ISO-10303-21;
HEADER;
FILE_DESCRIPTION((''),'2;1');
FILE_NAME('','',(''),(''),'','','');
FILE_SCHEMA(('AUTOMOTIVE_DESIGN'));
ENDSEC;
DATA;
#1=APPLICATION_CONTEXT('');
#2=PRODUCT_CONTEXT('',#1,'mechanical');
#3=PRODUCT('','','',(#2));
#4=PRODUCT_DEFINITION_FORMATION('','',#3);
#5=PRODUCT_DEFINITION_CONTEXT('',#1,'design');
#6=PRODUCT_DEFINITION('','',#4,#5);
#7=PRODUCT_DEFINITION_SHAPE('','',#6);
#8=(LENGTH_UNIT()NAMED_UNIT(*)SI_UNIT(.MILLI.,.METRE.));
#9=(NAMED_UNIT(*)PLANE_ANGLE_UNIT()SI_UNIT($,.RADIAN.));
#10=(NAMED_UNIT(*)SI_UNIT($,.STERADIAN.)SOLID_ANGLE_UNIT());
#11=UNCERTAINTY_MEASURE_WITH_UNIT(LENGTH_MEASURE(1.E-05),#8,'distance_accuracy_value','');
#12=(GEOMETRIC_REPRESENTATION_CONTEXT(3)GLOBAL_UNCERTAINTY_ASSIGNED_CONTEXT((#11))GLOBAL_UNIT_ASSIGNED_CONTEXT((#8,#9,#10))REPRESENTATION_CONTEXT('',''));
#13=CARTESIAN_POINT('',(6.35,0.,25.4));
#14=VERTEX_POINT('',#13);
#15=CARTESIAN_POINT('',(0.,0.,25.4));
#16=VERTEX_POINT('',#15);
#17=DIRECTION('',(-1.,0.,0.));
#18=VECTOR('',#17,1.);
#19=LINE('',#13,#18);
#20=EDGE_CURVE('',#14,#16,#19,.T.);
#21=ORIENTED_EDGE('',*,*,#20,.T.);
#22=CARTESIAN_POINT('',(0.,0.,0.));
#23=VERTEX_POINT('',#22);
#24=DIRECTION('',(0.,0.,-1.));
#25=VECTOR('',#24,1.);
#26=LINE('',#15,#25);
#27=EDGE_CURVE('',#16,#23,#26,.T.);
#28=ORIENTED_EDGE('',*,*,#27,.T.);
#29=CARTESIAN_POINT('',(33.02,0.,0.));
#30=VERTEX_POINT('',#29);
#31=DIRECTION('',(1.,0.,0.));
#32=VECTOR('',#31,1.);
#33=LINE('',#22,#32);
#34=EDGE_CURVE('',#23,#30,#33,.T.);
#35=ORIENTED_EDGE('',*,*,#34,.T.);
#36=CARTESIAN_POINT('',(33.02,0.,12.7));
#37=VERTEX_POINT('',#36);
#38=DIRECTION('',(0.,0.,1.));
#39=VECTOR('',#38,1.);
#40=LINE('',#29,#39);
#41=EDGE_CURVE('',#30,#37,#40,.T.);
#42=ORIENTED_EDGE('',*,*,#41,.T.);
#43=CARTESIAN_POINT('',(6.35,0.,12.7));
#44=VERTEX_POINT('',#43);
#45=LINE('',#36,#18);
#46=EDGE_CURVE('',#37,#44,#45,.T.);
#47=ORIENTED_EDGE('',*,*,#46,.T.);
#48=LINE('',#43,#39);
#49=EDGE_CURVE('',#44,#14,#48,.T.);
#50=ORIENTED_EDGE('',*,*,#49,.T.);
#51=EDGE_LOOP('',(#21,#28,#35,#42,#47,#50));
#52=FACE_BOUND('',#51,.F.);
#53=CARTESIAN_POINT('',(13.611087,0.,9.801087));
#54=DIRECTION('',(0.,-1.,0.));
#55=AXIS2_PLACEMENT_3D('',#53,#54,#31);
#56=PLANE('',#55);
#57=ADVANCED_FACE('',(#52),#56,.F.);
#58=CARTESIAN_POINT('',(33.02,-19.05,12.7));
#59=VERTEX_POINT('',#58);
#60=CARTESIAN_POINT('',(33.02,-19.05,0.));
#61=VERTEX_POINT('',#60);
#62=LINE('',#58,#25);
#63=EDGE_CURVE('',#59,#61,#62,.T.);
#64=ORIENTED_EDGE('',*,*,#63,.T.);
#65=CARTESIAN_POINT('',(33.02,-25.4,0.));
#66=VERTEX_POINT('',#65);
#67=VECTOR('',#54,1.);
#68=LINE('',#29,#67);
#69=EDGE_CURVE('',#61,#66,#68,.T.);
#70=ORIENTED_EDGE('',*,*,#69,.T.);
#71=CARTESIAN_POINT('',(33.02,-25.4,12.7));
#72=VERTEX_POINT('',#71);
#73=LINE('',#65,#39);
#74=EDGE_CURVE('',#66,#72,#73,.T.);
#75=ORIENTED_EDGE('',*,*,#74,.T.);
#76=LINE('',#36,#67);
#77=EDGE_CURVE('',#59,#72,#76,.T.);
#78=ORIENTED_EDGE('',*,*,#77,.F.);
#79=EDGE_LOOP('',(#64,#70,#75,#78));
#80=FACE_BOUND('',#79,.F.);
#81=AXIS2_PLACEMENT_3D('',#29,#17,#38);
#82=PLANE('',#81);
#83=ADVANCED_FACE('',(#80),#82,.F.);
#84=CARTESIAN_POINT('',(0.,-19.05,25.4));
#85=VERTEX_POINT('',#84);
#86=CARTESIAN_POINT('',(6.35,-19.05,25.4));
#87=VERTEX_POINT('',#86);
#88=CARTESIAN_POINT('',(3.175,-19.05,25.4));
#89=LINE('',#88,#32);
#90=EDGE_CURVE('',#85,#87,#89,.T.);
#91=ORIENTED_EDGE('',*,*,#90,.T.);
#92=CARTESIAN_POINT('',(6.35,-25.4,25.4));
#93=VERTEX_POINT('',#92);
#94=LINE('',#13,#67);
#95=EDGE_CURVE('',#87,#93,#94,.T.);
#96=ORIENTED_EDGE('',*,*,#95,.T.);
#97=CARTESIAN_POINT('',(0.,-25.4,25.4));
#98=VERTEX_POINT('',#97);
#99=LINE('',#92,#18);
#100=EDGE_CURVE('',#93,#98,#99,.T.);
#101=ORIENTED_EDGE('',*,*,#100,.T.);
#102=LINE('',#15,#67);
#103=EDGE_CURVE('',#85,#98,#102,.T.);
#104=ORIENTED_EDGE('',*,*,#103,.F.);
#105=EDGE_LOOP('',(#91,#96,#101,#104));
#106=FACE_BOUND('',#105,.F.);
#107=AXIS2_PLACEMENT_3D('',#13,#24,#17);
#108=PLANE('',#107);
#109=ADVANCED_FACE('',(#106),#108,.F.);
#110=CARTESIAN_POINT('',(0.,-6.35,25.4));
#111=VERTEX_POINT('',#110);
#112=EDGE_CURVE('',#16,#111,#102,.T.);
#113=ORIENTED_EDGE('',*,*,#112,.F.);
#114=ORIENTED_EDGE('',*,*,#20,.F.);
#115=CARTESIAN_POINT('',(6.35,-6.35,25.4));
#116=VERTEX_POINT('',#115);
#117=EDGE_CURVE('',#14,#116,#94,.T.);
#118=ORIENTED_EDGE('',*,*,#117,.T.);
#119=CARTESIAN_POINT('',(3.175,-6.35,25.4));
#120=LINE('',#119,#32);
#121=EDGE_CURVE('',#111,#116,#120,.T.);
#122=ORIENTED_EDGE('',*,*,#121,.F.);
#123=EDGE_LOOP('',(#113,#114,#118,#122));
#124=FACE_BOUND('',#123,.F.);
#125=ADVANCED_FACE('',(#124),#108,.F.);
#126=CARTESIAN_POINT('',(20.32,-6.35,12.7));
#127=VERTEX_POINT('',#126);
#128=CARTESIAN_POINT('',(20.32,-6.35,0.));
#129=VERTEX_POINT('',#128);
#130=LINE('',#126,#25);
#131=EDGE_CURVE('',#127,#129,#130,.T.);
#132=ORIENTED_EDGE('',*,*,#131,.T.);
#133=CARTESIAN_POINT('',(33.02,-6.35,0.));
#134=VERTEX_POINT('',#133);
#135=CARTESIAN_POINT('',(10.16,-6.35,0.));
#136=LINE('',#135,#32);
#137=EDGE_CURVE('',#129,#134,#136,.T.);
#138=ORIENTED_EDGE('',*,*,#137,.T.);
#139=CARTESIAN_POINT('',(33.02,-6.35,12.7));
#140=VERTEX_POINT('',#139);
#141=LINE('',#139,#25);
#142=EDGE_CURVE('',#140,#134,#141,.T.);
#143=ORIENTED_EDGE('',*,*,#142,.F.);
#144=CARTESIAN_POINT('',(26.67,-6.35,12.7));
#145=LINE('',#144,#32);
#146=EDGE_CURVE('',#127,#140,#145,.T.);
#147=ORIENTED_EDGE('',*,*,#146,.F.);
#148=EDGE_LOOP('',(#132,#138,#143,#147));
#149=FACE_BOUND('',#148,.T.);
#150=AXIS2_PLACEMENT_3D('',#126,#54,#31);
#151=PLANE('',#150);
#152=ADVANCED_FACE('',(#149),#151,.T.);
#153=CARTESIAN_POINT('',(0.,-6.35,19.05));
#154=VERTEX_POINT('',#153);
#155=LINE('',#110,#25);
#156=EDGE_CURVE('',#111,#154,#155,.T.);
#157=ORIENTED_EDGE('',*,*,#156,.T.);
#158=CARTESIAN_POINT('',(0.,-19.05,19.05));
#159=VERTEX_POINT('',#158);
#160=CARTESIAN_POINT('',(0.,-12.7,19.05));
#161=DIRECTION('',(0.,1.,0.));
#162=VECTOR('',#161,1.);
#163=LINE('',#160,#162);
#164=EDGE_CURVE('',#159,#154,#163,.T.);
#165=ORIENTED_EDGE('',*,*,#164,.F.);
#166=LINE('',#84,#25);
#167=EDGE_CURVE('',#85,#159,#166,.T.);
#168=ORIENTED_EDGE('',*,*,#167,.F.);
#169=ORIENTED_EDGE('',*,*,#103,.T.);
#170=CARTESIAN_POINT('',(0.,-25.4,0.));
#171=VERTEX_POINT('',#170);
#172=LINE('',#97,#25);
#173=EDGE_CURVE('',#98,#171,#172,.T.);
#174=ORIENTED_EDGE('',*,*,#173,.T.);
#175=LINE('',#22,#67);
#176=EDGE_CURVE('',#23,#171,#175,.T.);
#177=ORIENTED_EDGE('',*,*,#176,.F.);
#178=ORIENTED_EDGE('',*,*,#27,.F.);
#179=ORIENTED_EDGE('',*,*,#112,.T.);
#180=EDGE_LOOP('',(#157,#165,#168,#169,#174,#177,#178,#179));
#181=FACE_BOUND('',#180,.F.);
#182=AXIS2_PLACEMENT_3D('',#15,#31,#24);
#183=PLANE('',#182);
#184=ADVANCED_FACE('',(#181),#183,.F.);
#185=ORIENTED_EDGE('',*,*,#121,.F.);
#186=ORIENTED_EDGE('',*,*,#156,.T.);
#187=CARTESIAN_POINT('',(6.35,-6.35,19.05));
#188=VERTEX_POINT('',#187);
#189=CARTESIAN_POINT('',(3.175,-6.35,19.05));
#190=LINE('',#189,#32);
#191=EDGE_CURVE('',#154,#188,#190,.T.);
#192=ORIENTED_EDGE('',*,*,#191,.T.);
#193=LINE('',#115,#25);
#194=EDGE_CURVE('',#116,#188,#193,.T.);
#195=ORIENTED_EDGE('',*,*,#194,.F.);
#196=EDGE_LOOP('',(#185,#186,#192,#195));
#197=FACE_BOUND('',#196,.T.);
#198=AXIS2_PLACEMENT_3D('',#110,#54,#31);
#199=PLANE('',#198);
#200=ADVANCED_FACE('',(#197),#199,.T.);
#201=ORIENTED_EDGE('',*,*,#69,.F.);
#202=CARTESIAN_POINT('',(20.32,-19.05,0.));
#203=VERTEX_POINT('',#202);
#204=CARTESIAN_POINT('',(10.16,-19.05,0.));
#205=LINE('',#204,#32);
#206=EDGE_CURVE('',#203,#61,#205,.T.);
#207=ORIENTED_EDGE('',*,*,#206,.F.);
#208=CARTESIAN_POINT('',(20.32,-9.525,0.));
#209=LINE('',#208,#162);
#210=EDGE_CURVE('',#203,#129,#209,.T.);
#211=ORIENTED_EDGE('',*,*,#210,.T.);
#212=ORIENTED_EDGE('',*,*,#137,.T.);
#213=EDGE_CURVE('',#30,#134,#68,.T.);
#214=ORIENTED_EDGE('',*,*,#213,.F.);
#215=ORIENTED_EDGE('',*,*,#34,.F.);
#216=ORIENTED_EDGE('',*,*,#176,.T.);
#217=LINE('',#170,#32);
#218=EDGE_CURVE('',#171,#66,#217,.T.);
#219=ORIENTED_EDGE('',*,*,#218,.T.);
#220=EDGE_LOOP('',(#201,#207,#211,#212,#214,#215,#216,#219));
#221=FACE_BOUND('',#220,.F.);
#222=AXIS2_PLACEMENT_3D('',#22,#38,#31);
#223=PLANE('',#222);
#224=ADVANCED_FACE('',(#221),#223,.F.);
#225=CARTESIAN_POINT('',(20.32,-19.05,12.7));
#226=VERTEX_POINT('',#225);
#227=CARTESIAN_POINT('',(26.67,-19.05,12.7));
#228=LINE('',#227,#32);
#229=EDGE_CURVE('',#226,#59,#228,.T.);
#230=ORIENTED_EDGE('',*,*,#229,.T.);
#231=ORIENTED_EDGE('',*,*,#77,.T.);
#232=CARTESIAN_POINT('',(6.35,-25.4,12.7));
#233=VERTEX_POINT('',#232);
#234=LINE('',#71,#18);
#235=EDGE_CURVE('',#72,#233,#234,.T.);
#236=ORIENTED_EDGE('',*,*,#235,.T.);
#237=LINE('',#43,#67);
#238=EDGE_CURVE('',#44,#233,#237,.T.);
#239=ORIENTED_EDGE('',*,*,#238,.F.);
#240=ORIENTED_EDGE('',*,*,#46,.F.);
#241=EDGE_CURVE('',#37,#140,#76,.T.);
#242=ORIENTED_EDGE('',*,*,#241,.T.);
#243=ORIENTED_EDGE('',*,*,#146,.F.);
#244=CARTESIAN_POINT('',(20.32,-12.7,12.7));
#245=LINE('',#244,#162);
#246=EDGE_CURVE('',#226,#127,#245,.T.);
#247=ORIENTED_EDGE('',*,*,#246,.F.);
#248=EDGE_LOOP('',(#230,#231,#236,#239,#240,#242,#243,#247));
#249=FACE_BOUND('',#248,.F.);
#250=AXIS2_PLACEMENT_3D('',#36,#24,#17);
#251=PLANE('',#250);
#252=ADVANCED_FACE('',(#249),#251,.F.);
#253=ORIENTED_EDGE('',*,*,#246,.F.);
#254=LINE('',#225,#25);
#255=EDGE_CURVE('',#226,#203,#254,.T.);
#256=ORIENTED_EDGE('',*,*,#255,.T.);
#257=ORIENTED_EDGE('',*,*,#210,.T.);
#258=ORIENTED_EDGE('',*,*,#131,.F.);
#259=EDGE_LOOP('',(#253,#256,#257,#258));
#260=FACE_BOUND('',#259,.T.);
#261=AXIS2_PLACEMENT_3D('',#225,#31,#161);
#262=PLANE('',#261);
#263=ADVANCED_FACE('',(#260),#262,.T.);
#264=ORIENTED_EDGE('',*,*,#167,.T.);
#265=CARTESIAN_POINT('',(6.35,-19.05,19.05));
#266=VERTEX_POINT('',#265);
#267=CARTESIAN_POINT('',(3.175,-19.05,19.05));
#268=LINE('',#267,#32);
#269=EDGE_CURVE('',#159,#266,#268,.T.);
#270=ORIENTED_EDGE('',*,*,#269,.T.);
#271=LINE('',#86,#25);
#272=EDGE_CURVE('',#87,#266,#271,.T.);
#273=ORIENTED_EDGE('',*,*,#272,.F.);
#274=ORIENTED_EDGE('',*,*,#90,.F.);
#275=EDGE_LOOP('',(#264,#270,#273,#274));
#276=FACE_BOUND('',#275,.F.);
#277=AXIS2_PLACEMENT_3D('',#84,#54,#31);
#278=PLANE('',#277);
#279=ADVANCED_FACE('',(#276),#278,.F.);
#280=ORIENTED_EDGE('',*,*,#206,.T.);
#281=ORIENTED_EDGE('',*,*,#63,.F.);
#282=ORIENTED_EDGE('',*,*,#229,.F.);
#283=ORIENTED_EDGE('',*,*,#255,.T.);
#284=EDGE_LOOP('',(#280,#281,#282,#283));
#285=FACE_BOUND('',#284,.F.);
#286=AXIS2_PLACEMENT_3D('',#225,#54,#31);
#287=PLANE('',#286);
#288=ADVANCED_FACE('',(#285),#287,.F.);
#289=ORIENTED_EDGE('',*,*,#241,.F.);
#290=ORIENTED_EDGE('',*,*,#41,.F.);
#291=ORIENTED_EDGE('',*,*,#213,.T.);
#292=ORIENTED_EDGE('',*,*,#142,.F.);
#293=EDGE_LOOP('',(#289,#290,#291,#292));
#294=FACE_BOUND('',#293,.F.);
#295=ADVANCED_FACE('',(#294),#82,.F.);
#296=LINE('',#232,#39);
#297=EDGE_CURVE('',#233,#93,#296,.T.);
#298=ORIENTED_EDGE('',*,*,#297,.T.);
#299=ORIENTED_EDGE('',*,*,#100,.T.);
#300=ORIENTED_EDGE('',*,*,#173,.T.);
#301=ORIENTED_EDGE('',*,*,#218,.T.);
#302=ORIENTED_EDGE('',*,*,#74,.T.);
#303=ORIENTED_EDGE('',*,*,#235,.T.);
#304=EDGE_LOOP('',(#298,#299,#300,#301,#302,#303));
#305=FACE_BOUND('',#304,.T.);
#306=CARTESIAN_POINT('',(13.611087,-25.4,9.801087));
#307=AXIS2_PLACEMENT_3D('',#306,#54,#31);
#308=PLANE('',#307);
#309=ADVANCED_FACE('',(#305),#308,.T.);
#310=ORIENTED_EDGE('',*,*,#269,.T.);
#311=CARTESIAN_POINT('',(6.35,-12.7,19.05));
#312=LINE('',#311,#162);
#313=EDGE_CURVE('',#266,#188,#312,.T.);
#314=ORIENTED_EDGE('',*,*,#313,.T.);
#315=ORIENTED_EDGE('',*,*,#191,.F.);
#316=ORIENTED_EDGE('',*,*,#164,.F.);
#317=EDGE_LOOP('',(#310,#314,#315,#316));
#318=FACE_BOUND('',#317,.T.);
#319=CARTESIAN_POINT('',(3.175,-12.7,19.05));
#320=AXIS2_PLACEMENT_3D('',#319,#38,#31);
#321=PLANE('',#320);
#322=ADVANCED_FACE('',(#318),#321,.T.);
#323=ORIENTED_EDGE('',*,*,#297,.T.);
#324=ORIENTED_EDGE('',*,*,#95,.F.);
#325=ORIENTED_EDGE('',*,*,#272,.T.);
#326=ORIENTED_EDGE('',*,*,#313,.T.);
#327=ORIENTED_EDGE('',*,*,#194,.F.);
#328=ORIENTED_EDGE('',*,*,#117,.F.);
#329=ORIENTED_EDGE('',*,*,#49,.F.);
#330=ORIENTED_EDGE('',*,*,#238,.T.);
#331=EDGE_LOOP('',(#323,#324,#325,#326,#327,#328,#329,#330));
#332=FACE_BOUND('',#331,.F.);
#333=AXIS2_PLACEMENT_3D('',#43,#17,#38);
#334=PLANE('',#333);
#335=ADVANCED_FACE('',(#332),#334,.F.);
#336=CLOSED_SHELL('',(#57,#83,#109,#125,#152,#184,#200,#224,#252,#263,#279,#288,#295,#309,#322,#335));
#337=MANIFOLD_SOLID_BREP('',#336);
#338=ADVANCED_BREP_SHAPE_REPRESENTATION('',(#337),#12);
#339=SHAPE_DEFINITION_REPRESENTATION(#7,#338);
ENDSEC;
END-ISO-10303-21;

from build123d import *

# Parameters (mm, degrees)
F1_DEPTH = 25.4
F2_W     = 12.7
F2_H     = 12.7
F3_DEPTH = 12.701
F4_W     = 6.35
F4_H     = 12.7
F5_DEPTH = 6.35


with BuildPart() as f1:
    # F0 (on Front) → F1 (new body)
    with BuildSketch(Plane.XZ):
        Polygon((0, 25.4), (0, 0), (33.02, 0), (33.02, 12.7), (6.35, 12.7), (6.35, 25.4), align=None)
    extrude(amount=F1_DEPTH)

    # F2 (on face) → F3 (cut, through all)
    with BuildSketch(Plane.XY.offset(12.7)):
        with Locations((26.67, -12.7)):
            Rectangle(F2_W, F2_H)
    extrude(amount=-F3_DEPTH, mode=Mode.SUBTRACT)

    # F4 (on face) → F5 (cut)
    with BuildSketch(Plane.XY.offset(25.4)):
        with Locations((3.175, -12.7)):
            Rectangle(F4_W, F4_H)
    extrude(amount=-F5_DEPTH, mode=Mode.SUBTRACT)


solid = f1.part
